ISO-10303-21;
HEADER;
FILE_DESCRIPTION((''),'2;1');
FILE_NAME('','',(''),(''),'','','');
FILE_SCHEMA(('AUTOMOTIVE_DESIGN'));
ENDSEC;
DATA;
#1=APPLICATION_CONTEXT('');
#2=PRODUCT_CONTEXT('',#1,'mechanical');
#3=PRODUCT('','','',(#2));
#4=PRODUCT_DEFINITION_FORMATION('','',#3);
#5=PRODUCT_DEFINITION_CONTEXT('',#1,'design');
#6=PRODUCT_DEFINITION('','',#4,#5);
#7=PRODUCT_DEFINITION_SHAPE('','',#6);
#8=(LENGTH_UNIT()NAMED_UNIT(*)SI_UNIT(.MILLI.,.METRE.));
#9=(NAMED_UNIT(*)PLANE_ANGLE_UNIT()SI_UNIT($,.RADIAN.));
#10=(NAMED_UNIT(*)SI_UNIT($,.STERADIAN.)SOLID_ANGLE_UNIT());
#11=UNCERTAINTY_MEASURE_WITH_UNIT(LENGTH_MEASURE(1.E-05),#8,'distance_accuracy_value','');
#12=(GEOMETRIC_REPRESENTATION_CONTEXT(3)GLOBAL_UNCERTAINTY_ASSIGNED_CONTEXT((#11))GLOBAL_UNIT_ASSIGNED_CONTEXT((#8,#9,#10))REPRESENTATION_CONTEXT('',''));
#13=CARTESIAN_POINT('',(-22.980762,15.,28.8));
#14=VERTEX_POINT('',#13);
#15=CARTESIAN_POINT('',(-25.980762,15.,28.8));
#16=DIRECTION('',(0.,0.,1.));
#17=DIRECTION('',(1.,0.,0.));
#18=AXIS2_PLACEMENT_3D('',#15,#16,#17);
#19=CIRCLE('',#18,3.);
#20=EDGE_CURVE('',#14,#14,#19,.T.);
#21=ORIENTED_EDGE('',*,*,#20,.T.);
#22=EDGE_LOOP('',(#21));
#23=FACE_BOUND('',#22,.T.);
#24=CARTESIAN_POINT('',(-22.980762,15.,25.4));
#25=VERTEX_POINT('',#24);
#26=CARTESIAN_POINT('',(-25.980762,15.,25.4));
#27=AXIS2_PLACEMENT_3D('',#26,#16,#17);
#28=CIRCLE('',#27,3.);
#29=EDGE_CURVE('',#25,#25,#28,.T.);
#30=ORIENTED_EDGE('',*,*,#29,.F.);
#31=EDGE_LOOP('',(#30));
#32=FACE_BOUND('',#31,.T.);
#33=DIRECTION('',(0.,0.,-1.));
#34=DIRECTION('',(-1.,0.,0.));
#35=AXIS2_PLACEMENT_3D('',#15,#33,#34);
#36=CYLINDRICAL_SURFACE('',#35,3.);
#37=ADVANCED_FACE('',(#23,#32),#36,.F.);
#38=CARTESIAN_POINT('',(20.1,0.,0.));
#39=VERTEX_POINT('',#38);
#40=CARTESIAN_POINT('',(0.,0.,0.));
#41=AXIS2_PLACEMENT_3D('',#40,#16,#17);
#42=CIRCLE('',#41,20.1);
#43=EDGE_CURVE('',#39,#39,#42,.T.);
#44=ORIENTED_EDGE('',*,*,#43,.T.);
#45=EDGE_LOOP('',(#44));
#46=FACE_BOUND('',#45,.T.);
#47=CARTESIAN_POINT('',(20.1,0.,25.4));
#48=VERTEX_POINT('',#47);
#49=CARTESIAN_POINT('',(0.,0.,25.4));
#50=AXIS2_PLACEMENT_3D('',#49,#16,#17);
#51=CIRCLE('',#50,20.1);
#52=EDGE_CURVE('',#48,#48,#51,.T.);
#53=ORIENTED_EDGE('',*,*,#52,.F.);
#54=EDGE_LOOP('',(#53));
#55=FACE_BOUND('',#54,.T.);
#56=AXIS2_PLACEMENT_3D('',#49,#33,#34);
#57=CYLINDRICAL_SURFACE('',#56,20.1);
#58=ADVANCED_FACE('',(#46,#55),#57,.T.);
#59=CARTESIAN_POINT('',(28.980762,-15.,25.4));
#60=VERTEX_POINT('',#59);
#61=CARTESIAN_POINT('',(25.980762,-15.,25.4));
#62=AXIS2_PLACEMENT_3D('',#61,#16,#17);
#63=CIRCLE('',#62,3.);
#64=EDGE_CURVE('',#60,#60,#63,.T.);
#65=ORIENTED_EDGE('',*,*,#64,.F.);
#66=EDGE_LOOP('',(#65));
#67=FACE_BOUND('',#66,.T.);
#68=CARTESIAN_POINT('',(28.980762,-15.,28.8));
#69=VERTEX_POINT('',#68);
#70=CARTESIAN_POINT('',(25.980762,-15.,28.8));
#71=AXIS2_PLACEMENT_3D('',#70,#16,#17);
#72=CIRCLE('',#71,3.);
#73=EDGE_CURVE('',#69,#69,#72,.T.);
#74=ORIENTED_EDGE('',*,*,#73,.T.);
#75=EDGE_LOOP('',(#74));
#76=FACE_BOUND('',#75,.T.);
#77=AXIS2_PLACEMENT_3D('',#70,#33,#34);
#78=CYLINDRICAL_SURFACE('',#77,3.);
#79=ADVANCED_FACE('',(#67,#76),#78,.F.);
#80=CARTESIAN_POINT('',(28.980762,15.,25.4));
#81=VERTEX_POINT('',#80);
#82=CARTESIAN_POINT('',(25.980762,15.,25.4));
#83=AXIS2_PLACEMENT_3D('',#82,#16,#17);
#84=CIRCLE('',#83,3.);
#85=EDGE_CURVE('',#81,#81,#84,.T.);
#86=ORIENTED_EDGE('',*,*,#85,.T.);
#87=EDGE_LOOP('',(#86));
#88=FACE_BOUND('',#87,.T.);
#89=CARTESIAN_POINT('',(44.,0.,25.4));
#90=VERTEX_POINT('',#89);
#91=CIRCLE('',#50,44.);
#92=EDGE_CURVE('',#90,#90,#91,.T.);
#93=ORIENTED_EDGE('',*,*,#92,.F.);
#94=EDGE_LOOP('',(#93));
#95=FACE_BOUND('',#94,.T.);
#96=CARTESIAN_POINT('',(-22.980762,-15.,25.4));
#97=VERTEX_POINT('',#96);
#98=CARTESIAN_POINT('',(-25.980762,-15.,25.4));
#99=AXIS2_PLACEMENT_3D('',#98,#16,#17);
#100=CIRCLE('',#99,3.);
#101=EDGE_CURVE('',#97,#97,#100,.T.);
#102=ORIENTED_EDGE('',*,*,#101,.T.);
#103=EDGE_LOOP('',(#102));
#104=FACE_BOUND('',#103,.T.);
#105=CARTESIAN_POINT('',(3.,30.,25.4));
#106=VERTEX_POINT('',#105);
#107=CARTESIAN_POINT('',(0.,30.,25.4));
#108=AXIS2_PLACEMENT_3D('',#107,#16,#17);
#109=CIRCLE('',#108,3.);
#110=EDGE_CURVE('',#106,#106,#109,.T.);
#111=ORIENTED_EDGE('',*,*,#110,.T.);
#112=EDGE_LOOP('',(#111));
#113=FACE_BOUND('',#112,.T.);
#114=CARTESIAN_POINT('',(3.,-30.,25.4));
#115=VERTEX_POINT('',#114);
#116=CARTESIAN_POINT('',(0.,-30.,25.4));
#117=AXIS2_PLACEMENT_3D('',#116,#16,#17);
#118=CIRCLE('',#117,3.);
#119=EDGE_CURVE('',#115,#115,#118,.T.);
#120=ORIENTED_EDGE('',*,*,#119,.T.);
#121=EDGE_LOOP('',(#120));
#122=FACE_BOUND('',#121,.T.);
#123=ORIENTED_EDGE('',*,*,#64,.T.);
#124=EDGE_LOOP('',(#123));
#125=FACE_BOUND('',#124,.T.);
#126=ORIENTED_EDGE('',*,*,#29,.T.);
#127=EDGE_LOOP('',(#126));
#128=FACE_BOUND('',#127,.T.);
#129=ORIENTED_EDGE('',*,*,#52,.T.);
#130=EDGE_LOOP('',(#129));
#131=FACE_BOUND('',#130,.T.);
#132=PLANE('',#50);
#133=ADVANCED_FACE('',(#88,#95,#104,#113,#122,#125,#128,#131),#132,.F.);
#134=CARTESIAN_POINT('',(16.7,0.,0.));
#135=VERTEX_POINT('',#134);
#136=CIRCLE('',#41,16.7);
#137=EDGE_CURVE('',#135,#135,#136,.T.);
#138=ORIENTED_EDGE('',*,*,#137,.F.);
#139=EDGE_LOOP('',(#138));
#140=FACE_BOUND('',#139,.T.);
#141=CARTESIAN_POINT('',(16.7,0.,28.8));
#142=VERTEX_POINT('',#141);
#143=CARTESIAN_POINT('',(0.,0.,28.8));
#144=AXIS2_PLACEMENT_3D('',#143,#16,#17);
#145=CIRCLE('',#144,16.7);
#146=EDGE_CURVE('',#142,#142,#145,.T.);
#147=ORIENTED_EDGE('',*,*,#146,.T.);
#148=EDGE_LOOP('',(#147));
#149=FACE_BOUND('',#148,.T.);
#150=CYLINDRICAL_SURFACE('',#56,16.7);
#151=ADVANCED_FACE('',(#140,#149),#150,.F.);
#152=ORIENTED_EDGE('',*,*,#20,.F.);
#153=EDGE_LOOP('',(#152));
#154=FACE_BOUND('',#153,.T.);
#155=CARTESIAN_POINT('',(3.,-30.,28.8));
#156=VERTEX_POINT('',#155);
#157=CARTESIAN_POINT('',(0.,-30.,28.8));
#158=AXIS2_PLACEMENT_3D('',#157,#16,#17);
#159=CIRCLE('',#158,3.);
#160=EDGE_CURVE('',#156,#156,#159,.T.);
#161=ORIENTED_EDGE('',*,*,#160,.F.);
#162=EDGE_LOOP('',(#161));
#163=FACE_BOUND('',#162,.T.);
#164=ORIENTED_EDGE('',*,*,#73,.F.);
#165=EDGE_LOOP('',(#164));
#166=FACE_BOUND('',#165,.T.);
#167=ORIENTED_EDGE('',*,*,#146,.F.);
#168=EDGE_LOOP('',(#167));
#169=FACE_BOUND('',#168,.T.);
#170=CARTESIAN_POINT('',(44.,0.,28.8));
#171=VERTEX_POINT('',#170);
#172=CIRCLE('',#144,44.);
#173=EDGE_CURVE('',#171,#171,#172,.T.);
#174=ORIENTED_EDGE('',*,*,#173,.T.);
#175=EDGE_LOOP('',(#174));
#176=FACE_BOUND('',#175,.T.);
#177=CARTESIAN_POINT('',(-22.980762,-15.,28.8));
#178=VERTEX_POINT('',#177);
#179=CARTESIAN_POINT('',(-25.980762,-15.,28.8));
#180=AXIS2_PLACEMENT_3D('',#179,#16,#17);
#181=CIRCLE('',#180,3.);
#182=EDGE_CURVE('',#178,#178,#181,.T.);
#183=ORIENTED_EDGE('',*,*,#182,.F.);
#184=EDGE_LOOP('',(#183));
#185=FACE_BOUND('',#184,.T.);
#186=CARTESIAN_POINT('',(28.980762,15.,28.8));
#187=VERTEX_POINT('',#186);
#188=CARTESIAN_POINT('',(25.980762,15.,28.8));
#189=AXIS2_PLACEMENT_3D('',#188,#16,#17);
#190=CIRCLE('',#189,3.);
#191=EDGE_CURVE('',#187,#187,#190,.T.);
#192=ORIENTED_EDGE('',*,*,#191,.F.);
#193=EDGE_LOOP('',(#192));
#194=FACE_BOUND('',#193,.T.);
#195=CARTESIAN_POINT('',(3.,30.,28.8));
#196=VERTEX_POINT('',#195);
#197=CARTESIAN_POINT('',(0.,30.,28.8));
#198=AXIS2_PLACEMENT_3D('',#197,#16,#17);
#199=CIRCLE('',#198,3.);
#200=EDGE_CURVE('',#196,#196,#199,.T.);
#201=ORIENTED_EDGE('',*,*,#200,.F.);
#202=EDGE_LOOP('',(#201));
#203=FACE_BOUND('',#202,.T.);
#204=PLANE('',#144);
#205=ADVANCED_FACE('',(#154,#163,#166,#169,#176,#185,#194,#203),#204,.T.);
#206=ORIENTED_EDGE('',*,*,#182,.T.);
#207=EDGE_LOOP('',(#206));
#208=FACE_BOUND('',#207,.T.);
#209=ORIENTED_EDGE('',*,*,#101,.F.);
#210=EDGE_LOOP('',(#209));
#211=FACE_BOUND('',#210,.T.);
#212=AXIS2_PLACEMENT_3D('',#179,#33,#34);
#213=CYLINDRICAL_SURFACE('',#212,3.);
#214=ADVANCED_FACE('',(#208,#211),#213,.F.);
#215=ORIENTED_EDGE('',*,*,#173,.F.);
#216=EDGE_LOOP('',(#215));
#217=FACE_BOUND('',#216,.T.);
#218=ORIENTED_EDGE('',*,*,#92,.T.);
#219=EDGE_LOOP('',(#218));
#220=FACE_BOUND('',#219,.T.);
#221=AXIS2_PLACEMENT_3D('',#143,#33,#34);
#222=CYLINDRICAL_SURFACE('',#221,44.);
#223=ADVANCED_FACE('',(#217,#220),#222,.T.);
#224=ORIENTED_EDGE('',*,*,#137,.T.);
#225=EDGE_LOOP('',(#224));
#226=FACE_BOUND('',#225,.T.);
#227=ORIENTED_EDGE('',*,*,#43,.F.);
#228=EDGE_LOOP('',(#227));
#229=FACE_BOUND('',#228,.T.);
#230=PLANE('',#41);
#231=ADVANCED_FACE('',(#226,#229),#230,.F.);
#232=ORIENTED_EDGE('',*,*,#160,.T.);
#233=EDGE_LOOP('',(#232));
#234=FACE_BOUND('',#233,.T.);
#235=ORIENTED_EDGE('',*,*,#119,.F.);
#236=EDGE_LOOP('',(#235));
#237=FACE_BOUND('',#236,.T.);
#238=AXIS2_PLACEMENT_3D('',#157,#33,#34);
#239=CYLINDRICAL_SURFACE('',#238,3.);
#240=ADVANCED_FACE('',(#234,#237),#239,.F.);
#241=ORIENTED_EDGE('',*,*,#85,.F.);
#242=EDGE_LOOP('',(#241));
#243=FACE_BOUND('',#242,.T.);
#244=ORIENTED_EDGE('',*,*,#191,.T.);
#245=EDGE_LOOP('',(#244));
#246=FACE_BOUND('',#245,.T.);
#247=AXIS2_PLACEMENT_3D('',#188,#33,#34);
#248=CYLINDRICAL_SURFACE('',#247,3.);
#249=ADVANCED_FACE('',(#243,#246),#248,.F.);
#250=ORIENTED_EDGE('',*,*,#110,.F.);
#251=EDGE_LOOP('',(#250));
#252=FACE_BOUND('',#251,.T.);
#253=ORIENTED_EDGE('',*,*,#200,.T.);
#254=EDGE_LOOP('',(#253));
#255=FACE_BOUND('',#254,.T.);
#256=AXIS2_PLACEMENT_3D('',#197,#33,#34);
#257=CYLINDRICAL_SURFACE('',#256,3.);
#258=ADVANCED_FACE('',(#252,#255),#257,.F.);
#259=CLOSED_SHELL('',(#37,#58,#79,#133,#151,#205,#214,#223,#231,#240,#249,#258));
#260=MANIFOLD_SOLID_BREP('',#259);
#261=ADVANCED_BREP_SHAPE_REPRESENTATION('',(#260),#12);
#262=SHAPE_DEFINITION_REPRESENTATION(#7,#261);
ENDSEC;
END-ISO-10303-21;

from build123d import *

# Parameters (mm, degrees)
CROQUIS1_R              = 20.1
CROQUIS1_R_2            = 16.7
SALIENTE_EXTRUIR1_DEPTH = 25.4
CROQUIS2_R              = 44
CROQUIS2_R_2            = 16.7
CROQUIS2_R_3            = 3
SALIENTE_EXTRUIR2_DEPTH = 3.4


with BuildPart() as part:
    # Croquis1 → Saliente-Extruir1 (new body)
    with BuildSketch(Plane.XY):
        Circle(CROQUIS1_R)
        Circle(CROQUIS1_R_2, mode=Mode.SUBTRACT)
    extrude(amount=SALIENTE_EXTRUIR1_DEPTH)

    # Croquis2 → Saliente-Extruir2 (add)
    with BuildSketch(Plane.XY.offset(25.4)):
        Circle(CROQUIS2_R)
        Circle(CROQUIS2_R_2, mode=Mode.SUBTRACT)
        with Locations((0, 30)):
            Circle(CROQUIS2_R_3, mode=Mode.SUBTRACT)
        with Locations((25.980762114, 15)):
            Circle(CROQUIS2_R_3, mode=Mode.SUBTRACT)
        with Locations((25.980762114, -15)):
            Circle(CROQUIS2_R_3, mode=Mode.SUBTRACT)
        with Locations((0, -30)):
            Circle(CROQUIS2_R_3, mode=Mode.SUBTRACT)
        with Locations((-25.980762114, -15)):
            Circle(CROQUIS2_R_3, mode=Mode.SUBTRACT)
        with Locations((-25.980762114, 15)):
            Circle(CROQUIS2_R_3, mode=Mode.SUBTRACT)
    extrude(amount=SALIENTE_EXTRUIR2_DEPTH)


solid = part.part
